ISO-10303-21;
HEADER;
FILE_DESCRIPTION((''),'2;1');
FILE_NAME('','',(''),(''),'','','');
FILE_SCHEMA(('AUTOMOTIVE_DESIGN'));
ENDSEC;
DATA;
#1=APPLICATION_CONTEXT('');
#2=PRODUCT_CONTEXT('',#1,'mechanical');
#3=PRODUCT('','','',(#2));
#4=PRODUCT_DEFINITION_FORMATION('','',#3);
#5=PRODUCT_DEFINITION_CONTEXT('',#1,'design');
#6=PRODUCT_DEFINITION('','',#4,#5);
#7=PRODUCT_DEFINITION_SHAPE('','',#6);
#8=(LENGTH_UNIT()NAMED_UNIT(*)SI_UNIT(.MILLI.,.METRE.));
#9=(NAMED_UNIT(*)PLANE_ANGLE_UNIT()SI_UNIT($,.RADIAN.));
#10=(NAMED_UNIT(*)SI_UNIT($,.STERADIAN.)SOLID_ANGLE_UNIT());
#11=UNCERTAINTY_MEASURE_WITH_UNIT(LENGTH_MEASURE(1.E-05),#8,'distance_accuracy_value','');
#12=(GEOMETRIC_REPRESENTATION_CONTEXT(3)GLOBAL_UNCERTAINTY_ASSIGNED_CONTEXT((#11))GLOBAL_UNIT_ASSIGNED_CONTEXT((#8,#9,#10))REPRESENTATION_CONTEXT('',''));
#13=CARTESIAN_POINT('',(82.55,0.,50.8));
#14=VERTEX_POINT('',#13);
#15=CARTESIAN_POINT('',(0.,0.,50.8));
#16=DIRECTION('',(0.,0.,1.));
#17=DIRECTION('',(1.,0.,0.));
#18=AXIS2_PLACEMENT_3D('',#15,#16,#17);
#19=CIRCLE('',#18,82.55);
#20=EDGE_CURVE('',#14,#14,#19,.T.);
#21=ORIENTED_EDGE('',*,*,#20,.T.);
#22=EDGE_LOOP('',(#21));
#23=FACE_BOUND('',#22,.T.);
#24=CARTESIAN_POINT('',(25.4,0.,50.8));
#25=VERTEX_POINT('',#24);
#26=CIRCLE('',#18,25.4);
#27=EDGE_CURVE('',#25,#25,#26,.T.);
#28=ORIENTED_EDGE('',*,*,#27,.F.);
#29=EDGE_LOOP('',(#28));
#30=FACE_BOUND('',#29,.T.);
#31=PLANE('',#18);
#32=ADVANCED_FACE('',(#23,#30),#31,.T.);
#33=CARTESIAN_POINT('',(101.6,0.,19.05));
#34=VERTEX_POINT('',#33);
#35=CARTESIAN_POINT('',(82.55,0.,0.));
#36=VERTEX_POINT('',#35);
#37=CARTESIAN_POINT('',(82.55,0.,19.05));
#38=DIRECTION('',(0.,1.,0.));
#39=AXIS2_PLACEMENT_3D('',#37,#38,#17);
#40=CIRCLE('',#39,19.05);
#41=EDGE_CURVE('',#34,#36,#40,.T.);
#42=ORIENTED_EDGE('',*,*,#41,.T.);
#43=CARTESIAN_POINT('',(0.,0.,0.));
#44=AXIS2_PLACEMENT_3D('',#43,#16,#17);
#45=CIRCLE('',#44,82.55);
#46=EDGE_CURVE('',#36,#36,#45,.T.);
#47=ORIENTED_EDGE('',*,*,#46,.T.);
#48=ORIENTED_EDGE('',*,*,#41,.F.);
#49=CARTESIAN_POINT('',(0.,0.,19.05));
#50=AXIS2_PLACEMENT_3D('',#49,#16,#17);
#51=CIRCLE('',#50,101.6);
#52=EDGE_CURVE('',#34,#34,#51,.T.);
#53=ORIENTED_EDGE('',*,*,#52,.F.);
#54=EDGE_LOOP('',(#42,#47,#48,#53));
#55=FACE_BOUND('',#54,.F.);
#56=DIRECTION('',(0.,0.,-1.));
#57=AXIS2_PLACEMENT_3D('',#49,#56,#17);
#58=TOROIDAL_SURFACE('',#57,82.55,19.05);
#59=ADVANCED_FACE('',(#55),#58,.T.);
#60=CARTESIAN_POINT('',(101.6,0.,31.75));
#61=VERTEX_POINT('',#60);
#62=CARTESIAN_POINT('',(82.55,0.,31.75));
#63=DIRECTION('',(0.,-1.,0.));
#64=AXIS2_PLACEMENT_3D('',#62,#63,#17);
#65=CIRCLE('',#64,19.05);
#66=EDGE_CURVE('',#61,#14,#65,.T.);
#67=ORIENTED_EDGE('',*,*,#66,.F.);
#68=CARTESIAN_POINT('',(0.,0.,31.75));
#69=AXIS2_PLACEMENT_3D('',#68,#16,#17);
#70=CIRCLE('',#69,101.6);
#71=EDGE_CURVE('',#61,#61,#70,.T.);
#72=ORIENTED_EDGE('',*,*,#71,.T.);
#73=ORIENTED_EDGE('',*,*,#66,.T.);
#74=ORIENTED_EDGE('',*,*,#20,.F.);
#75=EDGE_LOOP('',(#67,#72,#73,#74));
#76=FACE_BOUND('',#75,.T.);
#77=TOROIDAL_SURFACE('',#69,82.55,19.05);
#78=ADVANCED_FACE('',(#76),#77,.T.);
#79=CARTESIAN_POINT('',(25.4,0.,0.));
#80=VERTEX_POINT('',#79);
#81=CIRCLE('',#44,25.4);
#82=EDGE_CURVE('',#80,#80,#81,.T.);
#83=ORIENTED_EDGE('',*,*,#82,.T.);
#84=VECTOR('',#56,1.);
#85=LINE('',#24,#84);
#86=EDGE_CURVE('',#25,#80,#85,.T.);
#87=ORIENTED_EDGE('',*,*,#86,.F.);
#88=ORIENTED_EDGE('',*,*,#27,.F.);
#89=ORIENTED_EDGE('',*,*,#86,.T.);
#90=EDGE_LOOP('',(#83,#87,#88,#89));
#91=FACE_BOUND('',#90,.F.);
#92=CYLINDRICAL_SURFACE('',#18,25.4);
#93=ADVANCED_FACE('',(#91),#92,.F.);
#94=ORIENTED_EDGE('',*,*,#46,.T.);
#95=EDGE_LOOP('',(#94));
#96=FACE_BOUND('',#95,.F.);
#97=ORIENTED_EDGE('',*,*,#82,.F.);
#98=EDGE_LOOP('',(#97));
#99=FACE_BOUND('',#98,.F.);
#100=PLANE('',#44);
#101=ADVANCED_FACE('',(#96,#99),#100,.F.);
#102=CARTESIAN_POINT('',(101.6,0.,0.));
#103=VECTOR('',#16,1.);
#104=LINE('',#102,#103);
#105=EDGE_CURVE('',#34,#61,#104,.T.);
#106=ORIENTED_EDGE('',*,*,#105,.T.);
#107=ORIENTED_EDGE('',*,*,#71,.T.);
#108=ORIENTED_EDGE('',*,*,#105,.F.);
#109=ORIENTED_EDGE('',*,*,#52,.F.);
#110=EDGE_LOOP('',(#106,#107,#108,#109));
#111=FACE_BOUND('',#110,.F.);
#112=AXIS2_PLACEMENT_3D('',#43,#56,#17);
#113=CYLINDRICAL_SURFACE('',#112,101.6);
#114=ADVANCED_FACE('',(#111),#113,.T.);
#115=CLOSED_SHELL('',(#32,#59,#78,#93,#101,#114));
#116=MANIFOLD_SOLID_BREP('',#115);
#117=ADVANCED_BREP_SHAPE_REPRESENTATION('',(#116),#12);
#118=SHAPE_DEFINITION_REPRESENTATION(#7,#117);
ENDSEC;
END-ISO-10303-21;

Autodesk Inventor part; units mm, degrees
ref_plane "YZ Plane" through (0, 0, 0) normal (1, 0, 0) x (0, 1, 0)
ref_plane "XZ Plane" through (0, 0, 0) normal (0, 1, 0) x (-1, 0, 0)
ref_plane "XY Plane" through (0, 0, 0) normal (0, 0, 1) x (1, 0, 0)
sketch "Sketch1" plane through (0, 0, 0) normal (0, 0, 1) x (1, 0, 0)
  circle A0 centre (0, 0) radius 101.6
  dimension "d0" = 203.2
extrude "Extrusion1" add sketch "Sketch1" along normal blind 50.8
fillet "Fillet1" radius 19.05 2 edges at (-101.6, 0, 50.8) (-101.6, 0, 0)
sketch "Sketch2" plane through (0, 0, 50.8) normal (0, 0, 1) x (1, 0, 0)
  circle A0 centre (0, 0) radius 82.55 projected
  circle A1 centre (0, 0) radius 25.4
  dimension "d4" = 50.8
extrude "Extrusion2" cut sketch "Sketch2" against normal through all contours A1
properties part number "ShooterWheelConcept"
